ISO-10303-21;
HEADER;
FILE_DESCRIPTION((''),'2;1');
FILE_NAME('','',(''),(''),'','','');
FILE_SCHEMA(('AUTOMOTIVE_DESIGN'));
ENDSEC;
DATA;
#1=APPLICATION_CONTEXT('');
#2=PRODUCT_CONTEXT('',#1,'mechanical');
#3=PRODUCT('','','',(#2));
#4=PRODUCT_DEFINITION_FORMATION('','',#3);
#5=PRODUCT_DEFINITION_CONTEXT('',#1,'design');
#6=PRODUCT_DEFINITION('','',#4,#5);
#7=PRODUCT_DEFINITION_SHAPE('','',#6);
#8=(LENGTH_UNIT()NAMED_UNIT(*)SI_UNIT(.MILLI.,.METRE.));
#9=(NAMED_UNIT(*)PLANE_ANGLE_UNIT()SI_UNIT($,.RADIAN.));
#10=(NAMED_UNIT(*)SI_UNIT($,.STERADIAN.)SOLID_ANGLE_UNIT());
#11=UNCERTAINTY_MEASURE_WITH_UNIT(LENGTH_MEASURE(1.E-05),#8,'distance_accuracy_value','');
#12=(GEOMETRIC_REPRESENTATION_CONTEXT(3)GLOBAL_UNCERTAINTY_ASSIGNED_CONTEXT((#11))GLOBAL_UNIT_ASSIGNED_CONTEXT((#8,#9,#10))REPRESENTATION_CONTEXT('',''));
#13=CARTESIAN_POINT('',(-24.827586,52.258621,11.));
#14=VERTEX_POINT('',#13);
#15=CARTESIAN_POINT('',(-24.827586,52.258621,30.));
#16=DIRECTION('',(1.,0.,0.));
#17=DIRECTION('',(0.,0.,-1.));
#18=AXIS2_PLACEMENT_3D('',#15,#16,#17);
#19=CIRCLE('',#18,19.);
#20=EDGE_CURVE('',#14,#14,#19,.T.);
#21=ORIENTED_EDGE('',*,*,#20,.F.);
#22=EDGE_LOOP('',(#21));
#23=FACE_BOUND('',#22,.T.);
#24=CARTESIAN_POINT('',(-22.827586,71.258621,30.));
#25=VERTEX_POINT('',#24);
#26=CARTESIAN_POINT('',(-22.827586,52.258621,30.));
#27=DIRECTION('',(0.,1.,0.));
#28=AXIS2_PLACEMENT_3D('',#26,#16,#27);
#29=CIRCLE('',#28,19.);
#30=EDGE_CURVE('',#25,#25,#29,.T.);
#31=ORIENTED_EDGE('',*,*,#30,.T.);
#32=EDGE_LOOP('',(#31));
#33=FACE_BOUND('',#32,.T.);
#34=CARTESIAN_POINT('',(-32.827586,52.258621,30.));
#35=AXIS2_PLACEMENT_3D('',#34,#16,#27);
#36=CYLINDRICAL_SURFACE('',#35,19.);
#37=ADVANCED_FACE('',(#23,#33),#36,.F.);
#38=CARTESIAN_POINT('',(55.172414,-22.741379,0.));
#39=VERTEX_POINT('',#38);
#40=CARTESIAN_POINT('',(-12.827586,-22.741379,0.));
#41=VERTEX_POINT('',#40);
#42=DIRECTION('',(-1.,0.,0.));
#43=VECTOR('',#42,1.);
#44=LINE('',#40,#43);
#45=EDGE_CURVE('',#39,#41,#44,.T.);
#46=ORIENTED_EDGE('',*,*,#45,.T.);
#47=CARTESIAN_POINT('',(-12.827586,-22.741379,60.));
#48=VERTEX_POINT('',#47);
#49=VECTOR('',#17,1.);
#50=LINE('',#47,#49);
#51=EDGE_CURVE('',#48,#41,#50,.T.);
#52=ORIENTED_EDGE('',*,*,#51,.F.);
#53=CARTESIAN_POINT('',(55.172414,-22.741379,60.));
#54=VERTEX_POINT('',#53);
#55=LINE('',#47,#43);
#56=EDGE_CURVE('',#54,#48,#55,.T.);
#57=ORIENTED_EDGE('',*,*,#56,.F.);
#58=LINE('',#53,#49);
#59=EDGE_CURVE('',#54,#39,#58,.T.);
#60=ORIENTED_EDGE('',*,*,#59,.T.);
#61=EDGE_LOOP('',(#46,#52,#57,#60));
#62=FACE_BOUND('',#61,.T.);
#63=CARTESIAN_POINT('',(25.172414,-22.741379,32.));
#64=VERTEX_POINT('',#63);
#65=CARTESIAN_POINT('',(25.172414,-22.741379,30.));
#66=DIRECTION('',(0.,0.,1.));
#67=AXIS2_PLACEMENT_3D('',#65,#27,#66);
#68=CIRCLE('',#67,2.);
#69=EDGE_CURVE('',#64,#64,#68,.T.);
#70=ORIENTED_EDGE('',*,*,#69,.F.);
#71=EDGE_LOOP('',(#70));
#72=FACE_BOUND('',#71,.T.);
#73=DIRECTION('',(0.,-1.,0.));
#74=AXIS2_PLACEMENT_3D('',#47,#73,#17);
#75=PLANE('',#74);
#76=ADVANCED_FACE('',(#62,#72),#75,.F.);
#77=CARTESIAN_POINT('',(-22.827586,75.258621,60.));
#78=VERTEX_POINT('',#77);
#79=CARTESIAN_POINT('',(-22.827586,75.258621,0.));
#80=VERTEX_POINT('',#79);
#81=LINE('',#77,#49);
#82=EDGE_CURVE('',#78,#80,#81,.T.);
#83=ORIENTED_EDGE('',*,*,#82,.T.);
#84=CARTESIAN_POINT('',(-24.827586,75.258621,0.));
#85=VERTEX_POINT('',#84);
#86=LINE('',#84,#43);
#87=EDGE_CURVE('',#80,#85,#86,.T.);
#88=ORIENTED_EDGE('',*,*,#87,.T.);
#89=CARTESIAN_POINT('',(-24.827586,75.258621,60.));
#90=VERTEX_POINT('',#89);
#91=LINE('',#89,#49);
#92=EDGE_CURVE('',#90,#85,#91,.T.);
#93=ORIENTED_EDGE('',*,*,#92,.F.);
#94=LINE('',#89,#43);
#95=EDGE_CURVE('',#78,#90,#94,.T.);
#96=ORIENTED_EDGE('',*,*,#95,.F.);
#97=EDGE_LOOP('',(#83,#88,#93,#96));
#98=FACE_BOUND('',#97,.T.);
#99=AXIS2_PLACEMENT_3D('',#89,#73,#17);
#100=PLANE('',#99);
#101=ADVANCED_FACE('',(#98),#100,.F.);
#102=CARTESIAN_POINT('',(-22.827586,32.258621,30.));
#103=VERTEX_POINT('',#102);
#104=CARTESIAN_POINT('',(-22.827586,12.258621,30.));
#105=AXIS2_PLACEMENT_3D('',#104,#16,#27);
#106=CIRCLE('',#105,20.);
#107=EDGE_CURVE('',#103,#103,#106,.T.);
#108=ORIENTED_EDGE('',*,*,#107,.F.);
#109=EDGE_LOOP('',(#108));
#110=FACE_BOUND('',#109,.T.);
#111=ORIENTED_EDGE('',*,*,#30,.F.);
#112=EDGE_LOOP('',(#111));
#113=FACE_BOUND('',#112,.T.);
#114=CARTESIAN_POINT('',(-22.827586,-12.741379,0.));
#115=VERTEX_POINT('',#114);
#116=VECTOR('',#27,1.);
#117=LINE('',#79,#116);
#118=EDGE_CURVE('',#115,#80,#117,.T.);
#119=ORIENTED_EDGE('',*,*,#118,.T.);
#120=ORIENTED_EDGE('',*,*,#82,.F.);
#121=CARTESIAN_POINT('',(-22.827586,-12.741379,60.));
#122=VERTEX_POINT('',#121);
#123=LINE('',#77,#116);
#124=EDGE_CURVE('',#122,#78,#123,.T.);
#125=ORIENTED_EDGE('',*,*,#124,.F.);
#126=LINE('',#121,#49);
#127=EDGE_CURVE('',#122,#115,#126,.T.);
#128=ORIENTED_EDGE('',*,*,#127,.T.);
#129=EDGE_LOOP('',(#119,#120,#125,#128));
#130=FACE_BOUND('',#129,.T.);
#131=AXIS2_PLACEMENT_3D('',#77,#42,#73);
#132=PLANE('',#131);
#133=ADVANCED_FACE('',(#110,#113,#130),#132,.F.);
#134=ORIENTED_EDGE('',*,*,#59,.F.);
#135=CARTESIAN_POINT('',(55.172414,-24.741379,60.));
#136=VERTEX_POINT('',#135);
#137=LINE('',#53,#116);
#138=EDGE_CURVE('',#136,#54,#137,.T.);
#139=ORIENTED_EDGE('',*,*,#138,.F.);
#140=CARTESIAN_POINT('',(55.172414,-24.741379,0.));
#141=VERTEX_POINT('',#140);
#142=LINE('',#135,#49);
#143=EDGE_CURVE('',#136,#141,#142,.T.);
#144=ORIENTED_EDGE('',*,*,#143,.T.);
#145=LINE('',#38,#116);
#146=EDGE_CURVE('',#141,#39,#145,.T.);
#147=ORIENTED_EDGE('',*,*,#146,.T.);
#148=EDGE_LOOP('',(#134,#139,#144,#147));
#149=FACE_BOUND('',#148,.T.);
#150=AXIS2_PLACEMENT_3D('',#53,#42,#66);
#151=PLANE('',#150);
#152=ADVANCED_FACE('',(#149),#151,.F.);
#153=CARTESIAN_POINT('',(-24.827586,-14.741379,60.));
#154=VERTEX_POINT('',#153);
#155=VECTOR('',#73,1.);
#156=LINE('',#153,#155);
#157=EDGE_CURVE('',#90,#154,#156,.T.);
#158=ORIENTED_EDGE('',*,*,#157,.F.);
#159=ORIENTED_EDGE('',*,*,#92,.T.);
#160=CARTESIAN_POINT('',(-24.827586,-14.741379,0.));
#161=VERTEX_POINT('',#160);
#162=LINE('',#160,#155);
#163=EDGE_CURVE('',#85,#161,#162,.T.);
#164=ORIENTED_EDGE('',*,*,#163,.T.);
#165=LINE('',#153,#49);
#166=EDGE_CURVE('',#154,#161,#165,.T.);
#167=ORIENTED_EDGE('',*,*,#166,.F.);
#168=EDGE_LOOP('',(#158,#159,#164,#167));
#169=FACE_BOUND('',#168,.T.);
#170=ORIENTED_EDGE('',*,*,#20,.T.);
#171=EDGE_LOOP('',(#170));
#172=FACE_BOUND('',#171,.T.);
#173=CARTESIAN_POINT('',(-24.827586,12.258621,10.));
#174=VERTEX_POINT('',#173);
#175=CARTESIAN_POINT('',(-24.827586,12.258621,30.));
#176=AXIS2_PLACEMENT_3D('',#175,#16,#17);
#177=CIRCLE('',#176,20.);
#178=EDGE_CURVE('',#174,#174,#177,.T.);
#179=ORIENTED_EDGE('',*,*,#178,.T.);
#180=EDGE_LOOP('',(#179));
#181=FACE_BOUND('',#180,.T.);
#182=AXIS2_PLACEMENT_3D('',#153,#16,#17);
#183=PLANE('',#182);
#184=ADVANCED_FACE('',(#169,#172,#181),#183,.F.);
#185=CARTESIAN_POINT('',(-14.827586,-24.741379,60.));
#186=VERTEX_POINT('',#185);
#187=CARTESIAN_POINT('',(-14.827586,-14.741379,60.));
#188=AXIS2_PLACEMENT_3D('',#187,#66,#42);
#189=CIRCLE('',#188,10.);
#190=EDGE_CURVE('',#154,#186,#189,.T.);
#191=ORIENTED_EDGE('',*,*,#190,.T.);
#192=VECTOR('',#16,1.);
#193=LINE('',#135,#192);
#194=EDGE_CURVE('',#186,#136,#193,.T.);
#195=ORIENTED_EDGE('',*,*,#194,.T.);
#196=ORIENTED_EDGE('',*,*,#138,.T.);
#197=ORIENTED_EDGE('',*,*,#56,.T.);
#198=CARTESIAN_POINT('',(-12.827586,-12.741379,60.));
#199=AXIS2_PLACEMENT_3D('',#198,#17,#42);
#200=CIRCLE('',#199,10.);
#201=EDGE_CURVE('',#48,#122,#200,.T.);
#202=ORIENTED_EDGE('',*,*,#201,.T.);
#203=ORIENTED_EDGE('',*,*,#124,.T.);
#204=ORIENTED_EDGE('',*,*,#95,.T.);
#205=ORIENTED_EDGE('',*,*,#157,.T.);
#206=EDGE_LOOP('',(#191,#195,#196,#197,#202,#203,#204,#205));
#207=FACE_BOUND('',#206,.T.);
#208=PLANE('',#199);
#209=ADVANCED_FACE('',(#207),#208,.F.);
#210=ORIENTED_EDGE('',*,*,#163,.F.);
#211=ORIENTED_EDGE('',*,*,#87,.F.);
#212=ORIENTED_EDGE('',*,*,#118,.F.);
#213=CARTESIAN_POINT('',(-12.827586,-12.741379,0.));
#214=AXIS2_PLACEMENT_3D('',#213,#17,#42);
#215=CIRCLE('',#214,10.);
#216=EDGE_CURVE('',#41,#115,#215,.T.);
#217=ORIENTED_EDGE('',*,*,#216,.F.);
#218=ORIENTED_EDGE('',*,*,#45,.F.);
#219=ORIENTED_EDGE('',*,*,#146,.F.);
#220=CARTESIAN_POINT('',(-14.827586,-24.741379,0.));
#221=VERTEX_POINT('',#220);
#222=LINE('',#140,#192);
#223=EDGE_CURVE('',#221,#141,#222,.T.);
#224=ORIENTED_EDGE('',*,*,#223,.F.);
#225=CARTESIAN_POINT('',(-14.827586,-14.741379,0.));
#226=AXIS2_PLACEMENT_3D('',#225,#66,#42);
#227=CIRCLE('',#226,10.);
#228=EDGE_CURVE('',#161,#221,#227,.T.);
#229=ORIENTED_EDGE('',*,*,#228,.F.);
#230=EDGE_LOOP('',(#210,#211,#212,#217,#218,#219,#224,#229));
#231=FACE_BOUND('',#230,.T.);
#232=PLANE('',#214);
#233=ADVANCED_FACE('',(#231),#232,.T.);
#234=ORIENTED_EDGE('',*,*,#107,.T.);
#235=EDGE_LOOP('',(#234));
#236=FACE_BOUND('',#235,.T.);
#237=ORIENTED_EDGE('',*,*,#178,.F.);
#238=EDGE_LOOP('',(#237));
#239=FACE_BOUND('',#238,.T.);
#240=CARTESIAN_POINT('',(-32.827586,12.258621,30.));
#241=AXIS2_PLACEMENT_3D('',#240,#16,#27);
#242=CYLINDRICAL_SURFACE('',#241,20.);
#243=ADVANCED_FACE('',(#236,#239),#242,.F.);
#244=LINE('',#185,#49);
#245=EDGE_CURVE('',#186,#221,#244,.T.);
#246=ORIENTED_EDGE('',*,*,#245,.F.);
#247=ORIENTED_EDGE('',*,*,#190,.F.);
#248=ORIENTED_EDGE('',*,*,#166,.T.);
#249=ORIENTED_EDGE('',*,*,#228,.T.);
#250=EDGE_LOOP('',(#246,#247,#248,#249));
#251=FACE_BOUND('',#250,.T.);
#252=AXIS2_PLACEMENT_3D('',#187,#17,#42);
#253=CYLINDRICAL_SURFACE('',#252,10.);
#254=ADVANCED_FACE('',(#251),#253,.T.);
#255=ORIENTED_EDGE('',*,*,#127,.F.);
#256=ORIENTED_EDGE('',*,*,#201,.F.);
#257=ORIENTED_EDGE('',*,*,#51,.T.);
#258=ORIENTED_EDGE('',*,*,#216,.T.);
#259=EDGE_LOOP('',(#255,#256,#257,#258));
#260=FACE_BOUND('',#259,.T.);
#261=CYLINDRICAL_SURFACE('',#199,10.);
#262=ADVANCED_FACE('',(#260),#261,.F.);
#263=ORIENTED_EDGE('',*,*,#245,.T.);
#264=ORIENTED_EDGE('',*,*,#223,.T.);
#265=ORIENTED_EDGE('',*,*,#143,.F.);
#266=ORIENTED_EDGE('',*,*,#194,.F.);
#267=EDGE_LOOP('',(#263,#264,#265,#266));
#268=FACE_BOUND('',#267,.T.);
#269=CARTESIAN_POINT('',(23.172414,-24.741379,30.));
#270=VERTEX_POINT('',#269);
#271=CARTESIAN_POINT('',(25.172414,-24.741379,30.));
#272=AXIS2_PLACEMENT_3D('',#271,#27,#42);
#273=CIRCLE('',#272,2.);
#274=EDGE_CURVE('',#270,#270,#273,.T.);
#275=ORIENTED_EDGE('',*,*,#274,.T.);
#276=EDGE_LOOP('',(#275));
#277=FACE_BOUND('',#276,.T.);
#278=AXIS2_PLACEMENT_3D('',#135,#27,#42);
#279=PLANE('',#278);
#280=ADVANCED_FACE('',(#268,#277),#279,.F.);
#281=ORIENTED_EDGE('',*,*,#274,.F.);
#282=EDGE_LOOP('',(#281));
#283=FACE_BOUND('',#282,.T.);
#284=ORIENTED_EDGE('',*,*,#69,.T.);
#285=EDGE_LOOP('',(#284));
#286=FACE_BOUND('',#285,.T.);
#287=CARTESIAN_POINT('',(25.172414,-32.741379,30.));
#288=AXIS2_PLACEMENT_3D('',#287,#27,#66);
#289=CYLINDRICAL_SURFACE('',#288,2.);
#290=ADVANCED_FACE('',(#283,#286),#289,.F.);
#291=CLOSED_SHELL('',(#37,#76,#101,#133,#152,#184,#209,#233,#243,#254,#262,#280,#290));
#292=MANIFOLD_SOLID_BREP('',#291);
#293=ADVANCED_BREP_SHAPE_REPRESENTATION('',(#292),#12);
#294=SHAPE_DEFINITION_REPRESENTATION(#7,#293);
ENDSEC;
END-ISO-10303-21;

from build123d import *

# Parameters (mm, degrees)
BOSS_EXTRUDE1_DEPTH = 60
SKETCH2_R           = 20
SKETCH2_R_2         = 19
CUT_EXTRUDE1_DEPTH  = 10
SKETCH3_R           = 2
CUT_EXTRUDE2_DEPTH  = 10


with BuildPart() as part:
    # Sketch1 → Boss-Extrude1 (new body)
    with BuildSketch(Plane.XY):
        with BuildLine():
            Line((-24.827586207, 75.25862069), (-22.827586207, 75.25862069))
            Line((-22.827586207, 75.25862069), (-22.827586207, -12.74137931))
            ThreePointArc((-22.827586207, -12.74137931), (-19.898654019, -19.812447122), (-12.827586207, -22.74137931))
            Line((-12.827586207, -22.74137931), (55.172413793, -22.74137931))
            Line((55.172413793, -22.74137931), (55.172413793, -24.74137931))
            Line((55.172413793, -24.74137931), (-14.827586207, -24.74137931))
            ThreePointArc((-14.827586207, -24.74137931), (-21.898654019, -21.812447122), (-24.827586207, -14.74137931))
            Line((-24.827586207, -14.74137931), (-24.827586207, 75.25862069))
        make_face()
    extrude(amount=BOSS_EXTRUDE1_DEPTH)

    # Sketch2 → Cut-Extrude1 (cut)
    with BuildSketch(Plane(origin=(-22.827586207, 0, 0), x_dir=(0, 0, -1), z_dir=(1, 0, 0))):
        with Locations((-30, 12.25862069)):
            Circle(SKETCH2_R)
        with Locations((-30, 52.25862069)):
            Circle(SKETCH2_R_2)
    extrude(amount=-CUT_EXTRUDE1_DEPTH, mode=Mode.SUBTRACT)

    # Sketch3 → Cut-Extrude2 (cut)
    with BuildSketch(Plane(origin=(0, -22.74137931, 0), x_dir=(1, 0, 0), z_dir=(0, 1, 0))):
        with Locations((25.172413793, -30)):
            Circle(SKETCH3_R)
    extrude(amount=-CUT_EXTRUDE2_DEPTH, mode=Mode.SUBTRACT)


solid = part.part
